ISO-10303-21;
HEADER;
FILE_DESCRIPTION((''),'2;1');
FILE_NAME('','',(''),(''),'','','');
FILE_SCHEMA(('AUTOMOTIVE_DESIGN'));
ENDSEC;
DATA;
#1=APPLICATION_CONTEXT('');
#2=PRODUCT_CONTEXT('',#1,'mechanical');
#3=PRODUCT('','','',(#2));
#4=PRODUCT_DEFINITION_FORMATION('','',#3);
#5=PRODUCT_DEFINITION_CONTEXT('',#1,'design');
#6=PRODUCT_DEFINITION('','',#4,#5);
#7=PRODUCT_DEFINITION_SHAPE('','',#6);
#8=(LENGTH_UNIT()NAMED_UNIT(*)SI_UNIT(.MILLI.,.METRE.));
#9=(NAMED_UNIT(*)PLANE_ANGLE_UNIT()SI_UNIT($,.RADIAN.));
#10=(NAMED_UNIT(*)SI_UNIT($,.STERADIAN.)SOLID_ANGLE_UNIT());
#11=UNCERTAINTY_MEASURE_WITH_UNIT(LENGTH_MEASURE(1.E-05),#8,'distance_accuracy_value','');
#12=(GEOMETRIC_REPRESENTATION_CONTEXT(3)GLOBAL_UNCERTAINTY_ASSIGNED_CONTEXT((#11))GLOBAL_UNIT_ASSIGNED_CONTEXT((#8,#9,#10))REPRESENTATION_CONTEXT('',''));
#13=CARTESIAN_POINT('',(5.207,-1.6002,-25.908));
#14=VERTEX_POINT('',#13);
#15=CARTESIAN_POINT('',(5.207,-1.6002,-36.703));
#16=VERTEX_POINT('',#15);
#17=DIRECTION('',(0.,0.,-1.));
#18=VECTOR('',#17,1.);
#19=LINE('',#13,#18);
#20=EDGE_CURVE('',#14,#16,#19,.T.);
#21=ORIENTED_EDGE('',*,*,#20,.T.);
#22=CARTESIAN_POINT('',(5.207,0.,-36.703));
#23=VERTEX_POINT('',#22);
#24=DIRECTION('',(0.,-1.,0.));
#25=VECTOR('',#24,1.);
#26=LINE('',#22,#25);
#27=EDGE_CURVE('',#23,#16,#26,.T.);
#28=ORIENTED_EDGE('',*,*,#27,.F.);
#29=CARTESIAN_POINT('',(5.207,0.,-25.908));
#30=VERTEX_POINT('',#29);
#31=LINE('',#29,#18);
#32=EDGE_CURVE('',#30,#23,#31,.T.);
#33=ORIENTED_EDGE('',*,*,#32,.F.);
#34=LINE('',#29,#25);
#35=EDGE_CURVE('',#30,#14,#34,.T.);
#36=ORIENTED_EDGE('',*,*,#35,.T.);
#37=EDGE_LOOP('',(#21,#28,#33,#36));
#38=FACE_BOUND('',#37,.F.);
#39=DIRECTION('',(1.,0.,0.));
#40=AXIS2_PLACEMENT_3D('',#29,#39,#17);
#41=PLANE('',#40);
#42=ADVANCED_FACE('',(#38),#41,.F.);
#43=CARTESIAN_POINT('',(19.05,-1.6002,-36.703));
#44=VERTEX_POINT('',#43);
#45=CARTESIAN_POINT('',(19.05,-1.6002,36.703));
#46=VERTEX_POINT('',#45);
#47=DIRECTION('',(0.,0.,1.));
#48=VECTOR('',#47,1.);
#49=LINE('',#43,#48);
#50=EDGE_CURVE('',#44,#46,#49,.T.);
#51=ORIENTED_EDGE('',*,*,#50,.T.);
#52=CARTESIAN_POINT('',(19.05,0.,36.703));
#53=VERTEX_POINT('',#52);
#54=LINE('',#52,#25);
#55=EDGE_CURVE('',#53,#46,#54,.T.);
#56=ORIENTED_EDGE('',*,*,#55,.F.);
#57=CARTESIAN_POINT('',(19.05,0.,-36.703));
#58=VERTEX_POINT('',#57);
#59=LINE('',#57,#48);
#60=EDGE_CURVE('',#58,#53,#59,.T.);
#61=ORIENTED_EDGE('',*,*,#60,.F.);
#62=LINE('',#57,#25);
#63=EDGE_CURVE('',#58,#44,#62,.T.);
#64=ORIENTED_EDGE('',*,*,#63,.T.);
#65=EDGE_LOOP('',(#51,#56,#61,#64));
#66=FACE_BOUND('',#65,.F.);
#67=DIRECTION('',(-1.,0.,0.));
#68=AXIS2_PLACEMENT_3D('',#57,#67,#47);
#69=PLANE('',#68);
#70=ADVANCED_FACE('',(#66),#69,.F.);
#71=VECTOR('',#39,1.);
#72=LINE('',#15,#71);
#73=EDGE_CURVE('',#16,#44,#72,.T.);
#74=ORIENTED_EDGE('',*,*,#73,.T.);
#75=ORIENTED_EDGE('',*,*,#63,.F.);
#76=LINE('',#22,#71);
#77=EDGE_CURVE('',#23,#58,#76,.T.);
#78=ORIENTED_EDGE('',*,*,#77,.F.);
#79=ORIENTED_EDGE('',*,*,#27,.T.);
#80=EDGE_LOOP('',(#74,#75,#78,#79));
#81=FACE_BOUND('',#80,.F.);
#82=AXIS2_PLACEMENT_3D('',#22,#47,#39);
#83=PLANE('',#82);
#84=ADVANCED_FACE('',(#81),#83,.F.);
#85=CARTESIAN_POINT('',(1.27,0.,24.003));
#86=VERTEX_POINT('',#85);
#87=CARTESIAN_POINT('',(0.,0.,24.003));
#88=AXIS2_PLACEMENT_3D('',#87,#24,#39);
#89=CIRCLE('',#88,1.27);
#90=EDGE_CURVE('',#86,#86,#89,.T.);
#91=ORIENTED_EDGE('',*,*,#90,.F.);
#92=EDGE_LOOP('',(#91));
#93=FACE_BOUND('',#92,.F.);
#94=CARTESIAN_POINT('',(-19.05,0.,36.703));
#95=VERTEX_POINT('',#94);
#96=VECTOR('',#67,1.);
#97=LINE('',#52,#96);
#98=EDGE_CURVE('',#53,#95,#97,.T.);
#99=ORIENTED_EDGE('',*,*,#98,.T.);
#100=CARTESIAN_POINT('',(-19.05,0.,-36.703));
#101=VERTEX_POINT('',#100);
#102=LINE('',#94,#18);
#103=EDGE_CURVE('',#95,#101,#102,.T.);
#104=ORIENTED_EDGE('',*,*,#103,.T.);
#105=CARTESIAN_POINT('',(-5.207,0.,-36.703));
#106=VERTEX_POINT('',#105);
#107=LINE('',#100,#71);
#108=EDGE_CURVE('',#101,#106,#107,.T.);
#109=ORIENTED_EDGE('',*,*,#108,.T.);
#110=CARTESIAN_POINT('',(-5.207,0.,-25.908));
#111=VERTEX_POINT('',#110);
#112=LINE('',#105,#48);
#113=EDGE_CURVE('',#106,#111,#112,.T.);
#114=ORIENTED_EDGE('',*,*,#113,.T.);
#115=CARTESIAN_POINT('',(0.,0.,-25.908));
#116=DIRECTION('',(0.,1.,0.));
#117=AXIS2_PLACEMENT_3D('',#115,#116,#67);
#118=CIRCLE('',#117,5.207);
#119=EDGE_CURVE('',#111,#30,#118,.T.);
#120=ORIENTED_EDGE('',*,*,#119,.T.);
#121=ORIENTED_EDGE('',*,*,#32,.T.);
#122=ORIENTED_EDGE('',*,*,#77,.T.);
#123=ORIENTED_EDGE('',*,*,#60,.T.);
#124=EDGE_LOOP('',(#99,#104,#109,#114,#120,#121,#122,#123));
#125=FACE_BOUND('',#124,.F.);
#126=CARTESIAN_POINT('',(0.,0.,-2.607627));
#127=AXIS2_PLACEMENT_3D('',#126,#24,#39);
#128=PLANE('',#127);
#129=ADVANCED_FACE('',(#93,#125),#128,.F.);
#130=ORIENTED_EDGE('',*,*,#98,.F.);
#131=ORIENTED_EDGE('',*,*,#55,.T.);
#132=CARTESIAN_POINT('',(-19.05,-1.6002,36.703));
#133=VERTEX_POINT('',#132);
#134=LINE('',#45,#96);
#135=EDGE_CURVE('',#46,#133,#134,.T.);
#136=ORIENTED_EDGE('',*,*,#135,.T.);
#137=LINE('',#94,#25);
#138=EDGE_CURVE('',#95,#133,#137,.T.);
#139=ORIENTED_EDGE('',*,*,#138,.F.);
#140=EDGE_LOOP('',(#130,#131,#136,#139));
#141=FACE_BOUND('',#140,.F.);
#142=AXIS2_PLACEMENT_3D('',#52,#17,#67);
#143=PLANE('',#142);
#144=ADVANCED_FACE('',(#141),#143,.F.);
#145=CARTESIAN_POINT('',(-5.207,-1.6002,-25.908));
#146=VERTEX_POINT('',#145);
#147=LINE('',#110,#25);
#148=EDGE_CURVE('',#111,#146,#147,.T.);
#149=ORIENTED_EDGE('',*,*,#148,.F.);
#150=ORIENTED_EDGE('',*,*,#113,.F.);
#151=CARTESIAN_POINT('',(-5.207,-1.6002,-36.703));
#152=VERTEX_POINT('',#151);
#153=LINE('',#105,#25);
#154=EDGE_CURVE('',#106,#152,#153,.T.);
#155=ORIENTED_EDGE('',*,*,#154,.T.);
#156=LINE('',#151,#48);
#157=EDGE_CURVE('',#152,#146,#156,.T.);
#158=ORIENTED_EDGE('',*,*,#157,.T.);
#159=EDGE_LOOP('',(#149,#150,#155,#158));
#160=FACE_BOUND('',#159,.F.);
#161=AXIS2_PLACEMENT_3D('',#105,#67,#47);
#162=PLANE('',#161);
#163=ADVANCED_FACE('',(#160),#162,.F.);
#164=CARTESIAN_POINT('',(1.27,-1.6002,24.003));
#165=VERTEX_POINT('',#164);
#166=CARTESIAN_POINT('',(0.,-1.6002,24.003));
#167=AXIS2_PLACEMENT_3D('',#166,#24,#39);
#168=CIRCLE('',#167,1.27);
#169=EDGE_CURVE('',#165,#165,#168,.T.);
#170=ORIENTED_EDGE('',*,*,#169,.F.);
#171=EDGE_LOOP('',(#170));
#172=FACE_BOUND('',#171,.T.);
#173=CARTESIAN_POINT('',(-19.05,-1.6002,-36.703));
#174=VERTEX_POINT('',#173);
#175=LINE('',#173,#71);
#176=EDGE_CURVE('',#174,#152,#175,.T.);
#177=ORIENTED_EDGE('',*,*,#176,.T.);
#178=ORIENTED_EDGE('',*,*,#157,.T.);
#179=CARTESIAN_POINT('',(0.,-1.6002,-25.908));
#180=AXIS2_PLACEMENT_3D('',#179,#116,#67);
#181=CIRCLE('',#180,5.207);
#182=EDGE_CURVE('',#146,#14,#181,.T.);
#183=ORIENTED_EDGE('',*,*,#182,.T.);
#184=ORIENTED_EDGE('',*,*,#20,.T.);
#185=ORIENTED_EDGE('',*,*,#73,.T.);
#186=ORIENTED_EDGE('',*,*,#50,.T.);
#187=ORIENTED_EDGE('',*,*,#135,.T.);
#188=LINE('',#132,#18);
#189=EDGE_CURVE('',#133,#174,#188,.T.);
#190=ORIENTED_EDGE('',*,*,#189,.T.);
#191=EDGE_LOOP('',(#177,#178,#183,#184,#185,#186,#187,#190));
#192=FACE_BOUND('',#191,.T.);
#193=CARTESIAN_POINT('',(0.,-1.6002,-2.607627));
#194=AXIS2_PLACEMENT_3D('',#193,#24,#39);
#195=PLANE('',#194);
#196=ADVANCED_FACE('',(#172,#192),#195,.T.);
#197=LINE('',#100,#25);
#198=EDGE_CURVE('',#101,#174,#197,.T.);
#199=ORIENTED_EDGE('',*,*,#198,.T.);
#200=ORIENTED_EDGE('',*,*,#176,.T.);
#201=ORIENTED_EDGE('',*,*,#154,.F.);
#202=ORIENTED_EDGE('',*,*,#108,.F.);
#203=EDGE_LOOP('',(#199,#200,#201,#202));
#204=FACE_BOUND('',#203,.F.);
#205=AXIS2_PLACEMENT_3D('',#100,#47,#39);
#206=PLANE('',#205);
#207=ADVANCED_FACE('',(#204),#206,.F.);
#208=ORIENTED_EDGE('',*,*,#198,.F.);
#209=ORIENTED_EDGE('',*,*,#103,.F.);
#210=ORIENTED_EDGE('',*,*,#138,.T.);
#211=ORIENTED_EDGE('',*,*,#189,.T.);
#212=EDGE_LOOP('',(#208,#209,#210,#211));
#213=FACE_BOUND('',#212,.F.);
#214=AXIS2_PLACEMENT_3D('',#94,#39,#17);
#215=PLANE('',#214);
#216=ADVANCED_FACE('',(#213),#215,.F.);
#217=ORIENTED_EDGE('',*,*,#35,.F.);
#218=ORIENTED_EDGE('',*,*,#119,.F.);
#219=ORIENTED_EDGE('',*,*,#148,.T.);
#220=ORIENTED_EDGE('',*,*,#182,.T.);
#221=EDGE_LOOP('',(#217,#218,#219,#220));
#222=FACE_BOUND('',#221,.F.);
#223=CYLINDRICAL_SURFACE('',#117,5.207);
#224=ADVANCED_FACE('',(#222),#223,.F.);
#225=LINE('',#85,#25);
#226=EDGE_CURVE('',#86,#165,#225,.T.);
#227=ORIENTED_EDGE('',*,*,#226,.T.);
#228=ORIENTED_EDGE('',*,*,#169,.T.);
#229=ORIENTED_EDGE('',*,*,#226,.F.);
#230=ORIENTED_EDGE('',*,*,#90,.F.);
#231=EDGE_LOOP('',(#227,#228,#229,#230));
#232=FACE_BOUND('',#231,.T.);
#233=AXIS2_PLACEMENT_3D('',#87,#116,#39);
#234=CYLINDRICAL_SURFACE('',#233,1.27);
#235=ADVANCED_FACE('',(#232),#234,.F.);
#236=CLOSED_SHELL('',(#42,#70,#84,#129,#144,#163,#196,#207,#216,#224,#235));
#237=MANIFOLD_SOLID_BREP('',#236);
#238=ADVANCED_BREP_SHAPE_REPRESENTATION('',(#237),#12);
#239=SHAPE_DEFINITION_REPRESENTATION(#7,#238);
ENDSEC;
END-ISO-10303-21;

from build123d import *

# Parameters (mm, degrees)
F0_R     = 1.27
F1_DEPTH = 1.6002


with BuildPart() as f1:
    # F0 (on Front) → F1 (new body)
    with BuildSketch(Plane.XZ):
        with BuildLine():
            Line((5.207, -36.703), (19.05, -36.703))
            Line((19.05, -36.703), (19.05, 36.703))
            Line((19.05, 36.703), (-19.05, 36.703))
            Line((-19.05, 36.703), (-19.05, -36.703))
            Line((-19.05, -36.703), (-5.207, -36.703))
            Line((-5.207, -36.703), (-5.207, -25.908))
            ThreePointArc((-5.207, -25.908), (0, -20.701), (5.207, -25.908))
            Line((5.207, -25.908), (5.207, -36.703))
        make_face()
        with Locations((0, 24.003)):
            Circle(F0_R, mode=Mode.SUBTRACT)
    extrude(amount=F1_DEPTH)


solid = f1.part
